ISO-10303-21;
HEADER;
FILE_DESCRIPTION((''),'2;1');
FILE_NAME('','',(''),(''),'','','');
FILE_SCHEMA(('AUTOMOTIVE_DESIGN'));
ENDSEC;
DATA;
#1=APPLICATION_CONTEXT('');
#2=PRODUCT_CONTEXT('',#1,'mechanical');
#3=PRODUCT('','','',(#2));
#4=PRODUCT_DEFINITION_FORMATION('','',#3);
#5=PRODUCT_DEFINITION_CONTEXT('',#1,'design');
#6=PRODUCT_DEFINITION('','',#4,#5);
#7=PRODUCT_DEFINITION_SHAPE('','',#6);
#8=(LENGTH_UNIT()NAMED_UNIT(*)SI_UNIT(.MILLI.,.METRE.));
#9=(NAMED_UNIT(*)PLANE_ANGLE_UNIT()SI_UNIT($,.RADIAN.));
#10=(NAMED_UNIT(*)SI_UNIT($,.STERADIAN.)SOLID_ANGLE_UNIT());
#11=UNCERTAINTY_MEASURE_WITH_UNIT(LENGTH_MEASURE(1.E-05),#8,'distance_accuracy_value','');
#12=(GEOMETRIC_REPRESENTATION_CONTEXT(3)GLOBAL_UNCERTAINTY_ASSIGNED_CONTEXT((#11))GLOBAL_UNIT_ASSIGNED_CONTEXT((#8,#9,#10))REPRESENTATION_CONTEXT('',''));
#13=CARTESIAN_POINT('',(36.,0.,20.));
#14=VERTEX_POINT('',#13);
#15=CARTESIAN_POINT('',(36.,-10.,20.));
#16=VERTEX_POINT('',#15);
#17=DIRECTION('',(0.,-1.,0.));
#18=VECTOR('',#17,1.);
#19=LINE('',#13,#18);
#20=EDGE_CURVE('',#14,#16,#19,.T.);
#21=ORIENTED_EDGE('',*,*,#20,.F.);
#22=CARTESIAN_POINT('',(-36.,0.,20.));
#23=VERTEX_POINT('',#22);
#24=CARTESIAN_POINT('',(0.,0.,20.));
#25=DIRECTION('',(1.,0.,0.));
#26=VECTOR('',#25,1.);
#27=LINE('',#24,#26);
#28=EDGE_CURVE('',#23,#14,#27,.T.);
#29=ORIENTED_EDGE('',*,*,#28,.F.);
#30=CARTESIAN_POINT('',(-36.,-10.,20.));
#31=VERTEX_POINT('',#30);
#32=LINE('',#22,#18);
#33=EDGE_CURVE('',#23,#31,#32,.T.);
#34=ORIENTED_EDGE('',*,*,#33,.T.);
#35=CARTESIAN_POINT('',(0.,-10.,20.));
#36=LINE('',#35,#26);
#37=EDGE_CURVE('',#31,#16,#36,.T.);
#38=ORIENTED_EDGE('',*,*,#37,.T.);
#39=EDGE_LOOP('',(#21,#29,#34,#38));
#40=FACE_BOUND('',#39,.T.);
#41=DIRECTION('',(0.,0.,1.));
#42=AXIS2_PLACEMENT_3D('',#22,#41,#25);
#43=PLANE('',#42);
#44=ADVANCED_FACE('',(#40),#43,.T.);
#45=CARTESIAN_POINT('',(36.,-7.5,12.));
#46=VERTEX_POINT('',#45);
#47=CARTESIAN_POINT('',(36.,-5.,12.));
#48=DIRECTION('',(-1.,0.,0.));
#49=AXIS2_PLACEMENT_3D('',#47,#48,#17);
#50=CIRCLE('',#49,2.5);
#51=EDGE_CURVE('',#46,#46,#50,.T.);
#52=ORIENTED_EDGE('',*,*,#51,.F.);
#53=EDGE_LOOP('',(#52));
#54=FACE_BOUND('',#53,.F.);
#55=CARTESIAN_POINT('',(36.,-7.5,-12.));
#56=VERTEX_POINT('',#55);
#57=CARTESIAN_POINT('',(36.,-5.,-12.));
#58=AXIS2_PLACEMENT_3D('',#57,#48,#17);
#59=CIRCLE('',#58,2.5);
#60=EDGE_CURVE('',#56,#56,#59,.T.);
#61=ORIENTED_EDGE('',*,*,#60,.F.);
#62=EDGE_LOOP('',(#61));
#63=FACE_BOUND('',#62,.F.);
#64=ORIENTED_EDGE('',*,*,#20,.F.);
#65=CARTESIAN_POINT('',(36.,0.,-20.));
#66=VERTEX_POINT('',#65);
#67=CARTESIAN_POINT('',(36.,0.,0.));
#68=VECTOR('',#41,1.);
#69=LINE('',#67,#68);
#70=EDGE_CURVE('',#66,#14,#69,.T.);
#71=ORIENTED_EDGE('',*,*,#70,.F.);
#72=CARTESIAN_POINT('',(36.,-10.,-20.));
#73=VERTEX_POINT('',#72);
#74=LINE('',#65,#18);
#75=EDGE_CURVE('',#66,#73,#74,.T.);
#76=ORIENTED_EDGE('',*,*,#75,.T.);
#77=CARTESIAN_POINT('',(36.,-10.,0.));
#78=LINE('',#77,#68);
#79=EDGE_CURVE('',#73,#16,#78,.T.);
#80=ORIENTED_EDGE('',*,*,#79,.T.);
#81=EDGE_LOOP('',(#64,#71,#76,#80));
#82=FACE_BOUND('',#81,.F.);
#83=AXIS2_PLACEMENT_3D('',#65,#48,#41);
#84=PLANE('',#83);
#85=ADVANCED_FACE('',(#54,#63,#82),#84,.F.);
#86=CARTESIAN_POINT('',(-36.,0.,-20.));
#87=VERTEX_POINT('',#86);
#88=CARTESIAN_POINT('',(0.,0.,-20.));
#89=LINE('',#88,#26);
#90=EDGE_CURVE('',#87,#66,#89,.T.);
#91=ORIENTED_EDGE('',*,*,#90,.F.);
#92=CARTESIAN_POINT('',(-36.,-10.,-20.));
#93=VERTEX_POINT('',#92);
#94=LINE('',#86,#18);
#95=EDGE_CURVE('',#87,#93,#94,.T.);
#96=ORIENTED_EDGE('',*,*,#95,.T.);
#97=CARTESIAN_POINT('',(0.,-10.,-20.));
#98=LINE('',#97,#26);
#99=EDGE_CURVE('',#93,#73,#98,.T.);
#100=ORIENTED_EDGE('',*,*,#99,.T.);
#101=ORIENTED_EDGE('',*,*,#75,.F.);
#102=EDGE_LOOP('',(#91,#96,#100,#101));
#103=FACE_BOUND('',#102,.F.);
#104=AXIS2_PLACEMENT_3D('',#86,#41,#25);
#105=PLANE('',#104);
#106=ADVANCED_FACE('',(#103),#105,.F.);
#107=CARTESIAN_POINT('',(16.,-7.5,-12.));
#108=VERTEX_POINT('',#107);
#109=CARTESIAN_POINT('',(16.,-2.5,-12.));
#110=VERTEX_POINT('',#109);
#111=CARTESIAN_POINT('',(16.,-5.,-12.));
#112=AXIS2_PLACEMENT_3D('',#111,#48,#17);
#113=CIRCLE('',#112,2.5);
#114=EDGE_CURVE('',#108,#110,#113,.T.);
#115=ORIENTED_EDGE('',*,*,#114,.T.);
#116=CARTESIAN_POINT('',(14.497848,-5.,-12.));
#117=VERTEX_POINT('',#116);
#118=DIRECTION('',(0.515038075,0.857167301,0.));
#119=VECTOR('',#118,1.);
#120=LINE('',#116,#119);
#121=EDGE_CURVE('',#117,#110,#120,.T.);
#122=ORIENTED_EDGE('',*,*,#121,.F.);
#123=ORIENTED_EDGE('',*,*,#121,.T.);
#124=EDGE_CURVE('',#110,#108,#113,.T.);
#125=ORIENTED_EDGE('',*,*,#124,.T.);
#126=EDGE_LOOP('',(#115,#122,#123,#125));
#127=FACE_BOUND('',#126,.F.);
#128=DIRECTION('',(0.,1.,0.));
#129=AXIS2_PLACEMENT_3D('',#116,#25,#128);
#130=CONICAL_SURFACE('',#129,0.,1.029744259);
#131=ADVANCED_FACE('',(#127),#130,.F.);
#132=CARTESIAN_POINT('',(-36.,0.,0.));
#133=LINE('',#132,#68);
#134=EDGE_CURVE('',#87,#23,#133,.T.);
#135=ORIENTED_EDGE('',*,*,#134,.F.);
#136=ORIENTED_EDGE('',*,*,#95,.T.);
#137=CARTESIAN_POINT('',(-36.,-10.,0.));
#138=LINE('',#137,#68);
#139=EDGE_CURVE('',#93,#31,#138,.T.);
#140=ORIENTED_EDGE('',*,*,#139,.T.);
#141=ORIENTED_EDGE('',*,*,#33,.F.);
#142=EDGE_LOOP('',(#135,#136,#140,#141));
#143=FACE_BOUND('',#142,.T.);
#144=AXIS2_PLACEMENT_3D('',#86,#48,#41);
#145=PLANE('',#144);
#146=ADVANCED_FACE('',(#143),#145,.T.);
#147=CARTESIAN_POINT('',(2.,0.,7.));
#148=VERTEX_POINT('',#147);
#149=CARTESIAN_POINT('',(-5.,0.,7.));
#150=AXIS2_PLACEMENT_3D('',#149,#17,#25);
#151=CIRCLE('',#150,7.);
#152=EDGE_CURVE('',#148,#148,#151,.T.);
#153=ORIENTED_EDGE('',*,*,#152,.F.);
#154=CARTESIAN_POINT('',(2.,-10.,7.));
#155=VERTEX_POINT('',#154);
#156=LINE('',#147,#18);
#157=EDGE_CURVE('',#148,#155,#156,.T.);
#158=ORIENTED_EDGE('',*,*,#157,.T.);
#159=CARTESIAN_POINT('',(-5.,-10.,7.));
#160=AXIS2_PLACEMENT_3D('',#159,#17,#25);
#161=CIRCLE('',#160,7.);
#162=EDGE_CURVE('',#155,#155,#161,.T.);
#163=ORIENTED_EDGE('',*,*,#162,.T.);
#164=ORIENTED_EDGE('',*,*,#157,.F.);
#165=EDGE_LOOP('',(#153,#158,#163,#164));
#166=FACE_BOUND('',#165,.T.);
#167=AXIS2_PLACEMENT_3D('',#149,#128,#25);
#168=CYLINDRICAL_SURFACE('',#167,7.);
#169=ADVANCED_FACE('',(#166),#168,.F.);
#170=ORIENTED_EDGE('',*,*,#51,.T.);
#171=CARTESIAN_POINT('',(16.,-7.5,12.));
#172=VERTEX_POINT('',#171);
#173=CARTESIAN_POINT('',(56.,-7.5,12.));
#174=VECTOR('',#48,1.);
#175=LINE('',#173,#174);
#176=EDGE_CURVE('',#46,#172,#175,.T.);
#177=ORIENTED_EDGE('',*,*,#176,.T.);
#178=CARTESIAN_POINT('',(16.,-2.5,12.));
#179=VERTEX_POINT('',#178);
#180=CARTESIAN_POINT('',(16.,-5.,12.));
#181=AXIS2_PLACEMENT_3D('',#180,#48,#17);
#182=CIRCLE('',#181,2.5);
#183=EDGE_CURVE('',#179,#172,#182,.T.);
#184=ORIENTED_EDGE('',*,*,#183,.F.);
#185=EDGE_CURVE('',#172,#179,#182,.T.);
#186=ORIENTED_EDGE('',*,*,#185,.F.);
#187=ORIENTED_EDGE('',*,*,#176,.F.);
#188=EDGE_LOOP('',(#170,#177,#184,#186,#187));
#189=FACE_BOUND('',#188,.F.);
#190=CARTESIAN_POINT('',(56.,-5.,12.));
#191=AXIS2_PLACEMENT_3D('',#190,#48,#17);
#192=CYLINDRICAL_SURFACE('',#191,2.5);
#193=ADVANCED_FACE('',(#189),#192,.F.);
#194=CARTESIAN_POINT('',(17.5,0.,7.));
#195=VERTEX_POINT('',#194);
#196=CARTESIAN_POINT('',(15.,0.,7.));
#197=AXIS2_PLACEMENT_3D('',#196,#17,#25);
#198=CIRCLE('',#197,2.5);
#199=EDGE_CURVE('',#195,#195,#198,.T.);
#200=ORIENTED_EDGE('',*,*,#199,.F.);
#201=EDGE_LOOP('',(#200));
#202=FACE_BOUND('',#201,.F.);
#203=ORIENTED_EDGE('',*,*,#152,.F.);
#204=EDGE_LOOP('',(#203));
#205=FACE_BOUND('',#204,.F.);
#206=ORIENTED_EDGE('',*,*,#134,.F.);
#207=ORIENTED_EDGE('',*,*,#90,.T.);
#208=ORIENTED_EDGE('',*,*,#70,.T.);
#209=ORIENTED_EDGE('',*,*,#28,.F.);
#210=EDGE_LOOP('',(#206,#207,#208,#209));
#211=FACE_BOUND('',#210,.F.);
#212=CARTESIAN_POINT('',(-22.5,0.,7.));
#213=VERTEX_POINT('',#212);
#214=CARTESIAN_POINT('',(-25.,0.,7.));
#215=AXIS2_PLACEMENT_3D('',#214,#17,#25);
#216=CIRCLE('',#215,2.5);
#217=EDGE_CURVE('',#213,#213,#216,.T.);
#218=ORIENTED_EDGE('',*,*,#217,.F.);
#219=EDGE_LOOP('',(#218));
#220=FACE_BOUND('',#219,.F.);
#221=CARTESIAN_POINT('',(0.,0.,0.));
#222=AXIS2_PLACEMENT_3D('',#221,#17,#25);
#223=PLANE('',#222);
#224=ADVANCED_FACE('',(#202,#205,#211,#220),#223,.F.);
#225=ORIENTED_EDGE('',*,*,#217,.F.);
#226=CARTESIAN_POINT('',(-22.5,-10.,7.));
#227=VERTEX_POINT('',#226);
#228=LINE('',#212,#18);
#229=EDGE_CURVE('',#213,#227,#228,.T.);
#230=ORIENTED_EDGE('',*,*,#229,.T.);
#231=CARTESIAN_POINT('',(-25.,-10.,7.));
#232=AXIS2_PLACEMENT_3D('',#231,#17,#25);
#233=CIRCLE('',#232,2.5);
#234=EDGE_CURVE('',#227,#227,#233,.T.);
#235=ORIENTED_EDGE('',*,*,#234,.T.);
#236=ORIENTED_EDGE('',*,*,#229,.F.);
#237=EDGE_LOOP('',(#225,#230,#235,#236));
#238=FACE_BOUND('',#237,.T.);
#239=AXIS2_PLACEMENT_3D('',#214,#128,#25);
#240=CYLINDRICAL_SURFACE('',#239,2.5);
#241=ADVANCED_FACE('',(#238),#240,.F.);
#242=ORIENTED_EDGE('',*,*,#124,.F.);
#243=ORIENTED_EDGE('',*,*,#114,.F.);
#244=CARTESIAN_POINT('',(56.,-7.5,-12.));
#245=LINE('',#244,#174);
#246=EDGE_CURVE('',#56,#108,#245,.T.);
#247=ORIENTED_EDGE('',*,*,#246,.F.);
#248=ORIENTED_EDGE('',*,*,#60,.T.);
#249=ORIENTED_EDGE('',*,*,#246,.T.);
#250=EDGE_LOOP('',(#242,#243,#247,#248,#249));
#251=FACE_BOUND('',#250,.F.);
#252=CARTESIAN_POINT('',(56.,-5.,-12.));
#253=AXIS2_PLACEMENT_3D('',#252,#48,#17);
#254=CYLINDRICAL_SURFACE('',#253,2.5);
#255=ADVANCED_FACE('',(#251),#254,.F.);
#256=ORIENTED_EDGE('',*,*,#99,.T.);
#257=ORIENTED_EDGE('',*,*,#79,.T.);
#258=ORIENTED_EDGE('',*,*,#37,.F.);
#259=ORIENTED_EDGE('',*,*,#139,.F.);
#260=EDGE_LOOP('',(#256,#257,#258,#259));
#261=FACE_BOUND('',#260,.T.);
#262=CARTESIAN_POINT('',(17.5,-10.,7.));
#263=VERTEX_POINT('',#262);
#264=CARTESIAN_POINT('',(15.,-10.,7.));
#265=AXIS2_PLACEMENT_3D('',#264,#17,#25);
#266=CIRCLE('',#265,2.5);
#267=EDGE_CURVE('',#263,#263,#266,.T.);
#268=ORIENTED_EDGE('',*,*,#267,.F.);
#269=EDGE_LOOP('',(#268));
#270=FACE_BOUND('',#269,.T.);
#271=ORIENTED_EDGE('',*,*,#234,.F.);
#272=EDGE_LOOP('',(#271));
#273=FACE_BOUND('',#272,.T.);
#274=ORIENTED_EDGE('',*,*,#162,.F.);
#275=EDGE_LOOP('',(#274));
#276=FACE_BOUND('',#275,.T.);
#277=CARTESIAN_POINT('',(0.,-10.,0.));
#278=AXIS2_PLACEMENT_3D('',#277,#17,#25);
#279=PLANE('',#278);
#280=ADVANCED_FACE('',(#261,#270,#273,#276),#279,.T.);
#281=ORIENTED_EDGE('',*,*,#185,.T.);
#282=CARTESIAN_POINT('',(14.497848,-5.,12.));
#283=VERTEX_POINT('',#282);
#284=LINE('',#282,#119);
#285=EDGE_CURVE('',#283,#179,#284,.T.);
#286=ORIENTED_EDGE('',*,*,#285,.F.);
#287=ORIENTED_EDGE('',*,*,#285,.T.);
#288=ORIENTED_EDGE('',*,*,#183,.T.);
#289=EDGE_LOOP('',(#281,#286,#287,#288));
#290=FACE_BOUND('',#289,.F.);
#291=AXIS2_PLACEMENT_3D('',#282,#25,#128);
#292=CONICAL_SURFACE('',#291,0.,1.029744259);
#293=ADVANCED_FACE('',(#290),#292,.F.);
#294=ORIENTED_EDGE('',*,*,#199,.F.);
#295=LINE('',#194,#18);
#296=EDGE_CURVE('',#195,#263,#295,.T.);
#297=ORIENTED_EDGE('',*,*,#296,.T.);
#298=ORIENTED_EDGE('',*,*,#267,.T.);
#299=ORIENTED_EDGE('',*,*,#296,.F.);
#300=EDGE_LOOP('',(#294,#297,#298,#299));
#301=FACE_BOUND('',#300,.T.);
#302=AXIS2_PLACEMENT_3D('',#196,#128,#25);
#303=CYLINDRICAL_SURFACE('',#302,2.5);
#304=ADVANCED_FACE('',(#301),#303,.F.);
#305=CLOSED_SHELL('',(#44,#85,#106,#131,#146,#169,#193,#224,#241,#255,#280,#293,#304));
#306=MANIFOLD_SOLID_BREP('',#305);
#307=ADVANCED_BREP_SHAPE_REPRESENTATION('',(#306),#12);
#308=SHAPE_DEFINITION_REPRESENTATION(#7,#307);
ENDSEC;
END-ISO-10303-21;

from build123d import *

# Parameters (mm, degrees)
F0_W     = 72
F0_H     = 40
F0_R     = 2.5
F0_R_2   = 7
F1_DEPTH = 10
F3_D     = 5
F3_DEPTH = 20
F3_TIP   = 1.5021515476


with BuildPart() as f1:
    # F0 (on Front) → F1 (new body)
    with BuildSketch(Plane.XZ):
        Rectangle(F0_W, F0_H)
        with Locations((-25, 7)):
            Circle(F0_R, mode=Mode.SUBTRACT)
        with Locations((-5, 7)):
            Circle(F0_R_2, mode=Mode.SUBTRACT)
        with Locations((15, 7)):
            Circle(F0_R, mode=Mode.SUBTRACT)
    extrude(amount=F1_DEPTH)

    # F3
    with Locations(Plane.YZ.offset(36)):
        with Locations((-5, 12), (-5, -12)):
            Hole(F3_D / 2, depth=F3_DEPTH)
            with Locations((0, 0, -(F3_DEPTH + F3_TIP / 2))):  # 118° drill point
                Cone(0, F3_D / 2, F3_TIP, mode=Mode.SUBTRACT)


solid = f1.part
